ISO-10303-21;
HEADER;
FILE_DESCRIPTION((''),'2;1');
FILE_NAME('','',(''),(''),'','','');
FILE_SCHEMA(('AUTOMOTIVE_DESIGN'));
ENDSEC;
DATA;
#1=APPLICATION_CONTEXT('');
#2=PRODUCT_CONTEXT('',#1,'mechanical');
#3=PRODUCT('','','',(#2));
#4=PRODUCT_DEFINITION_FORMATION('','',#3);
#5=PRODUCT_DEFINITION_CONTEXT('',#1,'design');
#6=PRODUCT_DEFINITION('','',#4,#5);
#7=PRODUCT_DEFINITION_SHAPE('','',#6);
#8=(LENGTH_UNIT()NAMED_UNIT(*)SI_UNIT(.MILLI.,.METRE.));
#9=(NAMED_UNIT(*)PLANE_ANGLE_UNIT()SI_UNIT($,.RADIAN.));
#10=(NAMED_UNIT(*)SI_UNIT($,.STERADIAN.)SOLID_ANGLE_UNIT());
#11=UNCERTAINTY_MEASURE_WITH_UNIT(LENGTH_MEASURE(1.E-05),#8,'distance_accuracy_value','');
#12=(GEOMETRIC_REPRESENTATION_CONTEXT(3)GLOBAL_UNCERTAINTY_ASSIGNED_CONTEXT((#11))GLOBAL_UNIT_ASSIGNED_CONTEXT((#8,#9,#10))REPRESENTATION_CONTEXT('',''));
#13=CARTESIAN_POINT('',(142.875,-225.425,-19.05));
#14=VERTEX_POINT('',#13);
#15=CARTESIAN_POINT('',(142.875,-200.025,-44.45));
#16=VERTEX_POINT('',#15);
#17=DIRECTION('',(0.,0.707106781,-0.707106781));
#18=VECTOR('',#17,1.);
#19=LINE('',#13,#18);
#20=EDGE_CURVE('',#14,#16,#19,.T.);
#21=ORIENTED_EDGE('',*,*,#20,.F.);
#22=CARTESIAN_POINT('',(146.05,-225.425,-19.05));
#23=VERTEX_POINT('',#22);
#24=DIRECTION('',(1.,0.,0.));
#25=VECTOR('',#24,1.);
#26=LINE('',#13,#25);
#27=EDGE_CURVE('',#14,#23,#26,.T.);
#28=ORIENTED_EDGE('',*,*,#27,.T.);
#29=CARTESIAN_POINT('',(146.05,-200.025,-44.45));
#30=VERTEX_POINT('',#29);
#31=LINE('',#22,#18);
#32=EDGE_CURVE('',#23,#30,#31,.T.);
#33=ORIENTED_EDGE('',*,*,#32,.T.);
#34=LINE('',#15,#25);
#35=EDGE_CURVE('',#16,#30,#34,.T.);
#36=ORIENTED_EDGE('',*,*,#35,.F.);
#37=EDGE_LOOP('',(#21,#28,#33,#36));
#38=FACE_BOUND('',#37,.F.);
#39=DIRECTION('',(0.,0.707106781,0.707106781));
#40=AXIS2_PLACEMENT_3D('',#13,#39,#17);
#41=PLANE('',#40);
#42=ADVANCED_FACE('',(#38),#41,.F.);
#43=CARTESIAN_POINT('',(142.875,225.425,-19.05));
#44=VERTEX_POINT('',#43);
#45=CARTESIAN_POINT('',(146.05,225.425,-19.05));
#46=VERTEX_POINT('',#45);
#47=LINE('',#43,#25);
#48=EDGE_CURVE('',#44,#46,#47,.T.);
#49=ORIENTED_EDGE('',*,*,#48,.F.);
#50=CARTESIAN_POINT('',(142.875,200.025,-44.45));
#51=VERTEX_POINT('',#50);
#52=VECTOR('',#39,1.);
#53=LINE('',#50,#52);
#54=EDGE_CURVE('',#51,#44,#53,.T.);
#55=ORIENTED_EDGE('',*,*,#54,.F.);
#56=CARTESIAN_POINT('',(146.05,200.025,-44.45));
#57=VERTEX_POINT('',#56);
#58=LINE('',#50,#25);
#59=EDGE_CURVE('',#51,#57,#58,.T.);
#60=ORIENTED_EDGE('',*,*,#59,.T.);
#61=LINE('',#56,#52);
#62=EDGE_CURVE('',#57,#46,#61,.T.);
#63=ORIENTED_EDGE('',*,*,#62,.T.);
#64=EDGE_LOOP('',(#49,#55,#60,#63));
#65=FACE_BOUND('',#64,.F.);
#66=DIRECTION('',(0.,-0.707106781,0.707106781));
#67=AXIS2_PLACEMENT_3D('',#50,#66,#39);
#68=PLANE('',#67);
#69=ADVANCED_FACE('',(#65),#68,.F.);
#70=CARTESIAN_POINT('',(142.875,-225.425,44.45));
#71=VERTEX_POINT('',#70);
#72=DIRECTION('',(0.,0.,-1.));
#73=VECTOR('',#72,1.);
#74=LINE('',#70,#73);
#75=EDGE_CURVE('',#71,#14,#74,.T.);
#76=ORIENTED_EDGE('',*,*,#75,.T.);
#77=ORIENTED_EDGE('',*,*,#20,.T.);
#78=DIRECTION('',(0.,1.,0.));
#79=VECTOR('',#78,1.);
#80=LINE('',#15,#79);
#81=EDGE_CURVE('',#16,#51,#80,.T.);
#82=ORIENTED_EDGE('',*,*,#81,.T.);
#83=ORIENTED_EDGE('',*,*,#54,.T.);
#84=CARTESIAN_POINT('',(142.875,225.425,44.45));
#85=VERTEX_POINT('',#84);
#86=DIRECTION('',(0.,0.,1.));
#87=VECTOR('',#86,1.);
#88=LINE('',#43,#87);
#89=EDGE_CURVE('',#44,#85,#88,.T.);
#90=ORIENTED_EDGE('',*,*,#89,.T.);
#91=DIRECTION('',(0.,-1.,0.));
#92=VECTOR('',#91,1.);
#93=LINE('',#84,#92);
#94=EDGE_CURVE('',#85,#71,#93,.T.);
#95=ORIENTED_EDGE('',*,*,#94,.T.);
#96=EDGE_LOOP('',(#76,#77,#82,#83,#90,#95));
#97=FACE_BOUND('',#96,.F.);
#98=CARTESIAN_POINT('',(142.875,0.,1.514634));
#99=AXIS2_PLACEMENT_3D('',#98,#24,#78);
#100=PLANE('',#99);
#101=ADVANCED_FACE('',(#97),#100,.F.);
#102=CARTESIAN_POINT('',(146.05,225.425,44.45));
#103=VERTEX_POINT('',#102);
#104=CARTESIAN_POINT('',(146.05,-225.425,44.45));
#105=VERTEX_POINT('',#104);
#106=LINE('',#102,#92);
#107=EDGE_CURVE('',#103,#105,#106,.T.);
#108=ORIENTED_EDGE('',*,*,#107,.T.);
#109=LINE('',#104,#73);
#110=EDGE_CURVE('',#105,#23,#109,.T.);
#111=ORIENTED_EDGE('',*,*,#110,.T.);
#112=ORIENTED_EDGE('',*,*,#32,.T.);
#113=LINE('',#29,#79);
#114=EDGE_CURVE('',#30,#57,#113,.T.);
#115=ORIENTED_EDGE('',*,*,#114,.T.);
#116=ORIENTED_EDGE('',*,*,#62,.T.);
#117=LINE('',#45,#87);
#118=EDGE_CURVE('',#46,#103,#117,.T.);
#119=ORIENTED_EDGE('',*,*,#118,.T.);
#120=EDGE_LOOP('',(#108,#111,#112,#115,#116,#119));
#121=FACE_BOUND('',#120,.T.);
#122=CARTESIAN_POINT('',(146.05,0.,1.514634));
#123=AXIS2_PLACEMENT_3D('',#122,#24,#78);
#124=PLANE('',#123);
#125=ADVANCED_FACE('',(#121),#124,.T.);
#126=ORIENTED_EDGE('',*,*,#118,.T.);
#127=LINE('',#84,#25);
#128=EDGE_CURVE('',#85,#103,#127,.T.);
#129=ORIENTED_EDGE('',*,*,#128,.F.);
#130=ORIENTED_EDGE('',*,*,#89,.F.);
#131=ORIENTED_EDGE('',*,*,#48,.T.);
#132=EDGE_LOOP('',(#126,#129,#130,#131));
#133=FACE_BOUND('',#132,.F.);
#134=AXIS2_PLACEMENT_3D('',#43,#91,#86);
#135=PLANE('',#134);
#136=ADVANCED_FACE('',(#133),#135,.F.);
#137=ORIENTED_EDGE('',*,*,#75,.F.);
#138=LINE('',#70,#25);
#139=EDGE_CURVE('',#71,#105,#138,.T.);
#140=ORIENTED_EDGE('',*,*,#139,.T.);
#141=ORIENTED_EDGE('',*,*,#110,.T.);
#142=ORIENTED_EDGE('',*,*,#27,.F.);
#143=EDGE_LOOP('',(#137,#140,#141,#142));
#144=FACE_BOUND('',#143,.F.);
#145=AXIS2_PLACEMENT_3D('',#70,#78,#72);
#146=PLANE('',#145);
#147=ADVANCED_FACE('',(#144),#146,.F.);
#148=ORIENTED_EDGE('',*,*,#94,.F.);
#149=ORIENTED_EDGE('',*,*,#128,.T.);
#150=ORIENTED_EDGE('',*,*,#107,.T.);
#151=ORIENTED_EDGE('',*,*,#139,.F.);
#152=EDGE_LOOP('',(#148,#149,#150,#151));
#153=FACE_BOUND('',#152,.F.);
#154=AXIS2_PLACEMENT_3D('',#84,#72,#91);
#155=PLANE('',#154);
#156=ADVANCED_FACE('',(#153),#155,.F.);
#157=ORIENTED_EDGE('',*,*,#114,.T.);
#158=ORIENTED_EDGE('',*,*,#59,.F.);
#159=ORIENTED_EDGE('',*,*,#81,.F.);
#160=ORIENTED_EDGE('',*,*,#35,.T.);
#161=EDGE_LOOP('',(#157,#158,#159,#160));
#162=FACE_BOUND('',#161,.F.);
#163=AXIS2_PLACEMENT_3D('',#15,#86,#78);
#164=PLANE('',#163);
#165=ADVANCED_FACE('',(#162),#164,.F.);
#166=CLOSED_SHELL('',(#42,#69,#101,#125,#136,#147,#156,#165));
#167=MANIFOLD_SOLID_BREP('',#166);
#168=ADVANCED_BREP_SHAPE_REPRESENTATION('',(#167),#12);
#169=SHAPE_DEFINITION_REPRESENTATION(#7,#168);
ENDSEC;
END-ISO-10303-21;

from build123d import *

# Parameters (mm, degrees)
F2_DEPTH = 3.175


with BuildPart() as f2:
    # F1 (on offset) → F2 (new body)
    with BuildSketch(Plane.YZ.offset(142.875)):
        Polygon((225.425, -19.05), (225.425, 44.45), (-225.425, 44.45), (-225.425, -19.05), (-200.025, -44.45), (200.025, -44.45), align=None)
    extrude(amount=F2_DEPTH)


solid = f2.part
